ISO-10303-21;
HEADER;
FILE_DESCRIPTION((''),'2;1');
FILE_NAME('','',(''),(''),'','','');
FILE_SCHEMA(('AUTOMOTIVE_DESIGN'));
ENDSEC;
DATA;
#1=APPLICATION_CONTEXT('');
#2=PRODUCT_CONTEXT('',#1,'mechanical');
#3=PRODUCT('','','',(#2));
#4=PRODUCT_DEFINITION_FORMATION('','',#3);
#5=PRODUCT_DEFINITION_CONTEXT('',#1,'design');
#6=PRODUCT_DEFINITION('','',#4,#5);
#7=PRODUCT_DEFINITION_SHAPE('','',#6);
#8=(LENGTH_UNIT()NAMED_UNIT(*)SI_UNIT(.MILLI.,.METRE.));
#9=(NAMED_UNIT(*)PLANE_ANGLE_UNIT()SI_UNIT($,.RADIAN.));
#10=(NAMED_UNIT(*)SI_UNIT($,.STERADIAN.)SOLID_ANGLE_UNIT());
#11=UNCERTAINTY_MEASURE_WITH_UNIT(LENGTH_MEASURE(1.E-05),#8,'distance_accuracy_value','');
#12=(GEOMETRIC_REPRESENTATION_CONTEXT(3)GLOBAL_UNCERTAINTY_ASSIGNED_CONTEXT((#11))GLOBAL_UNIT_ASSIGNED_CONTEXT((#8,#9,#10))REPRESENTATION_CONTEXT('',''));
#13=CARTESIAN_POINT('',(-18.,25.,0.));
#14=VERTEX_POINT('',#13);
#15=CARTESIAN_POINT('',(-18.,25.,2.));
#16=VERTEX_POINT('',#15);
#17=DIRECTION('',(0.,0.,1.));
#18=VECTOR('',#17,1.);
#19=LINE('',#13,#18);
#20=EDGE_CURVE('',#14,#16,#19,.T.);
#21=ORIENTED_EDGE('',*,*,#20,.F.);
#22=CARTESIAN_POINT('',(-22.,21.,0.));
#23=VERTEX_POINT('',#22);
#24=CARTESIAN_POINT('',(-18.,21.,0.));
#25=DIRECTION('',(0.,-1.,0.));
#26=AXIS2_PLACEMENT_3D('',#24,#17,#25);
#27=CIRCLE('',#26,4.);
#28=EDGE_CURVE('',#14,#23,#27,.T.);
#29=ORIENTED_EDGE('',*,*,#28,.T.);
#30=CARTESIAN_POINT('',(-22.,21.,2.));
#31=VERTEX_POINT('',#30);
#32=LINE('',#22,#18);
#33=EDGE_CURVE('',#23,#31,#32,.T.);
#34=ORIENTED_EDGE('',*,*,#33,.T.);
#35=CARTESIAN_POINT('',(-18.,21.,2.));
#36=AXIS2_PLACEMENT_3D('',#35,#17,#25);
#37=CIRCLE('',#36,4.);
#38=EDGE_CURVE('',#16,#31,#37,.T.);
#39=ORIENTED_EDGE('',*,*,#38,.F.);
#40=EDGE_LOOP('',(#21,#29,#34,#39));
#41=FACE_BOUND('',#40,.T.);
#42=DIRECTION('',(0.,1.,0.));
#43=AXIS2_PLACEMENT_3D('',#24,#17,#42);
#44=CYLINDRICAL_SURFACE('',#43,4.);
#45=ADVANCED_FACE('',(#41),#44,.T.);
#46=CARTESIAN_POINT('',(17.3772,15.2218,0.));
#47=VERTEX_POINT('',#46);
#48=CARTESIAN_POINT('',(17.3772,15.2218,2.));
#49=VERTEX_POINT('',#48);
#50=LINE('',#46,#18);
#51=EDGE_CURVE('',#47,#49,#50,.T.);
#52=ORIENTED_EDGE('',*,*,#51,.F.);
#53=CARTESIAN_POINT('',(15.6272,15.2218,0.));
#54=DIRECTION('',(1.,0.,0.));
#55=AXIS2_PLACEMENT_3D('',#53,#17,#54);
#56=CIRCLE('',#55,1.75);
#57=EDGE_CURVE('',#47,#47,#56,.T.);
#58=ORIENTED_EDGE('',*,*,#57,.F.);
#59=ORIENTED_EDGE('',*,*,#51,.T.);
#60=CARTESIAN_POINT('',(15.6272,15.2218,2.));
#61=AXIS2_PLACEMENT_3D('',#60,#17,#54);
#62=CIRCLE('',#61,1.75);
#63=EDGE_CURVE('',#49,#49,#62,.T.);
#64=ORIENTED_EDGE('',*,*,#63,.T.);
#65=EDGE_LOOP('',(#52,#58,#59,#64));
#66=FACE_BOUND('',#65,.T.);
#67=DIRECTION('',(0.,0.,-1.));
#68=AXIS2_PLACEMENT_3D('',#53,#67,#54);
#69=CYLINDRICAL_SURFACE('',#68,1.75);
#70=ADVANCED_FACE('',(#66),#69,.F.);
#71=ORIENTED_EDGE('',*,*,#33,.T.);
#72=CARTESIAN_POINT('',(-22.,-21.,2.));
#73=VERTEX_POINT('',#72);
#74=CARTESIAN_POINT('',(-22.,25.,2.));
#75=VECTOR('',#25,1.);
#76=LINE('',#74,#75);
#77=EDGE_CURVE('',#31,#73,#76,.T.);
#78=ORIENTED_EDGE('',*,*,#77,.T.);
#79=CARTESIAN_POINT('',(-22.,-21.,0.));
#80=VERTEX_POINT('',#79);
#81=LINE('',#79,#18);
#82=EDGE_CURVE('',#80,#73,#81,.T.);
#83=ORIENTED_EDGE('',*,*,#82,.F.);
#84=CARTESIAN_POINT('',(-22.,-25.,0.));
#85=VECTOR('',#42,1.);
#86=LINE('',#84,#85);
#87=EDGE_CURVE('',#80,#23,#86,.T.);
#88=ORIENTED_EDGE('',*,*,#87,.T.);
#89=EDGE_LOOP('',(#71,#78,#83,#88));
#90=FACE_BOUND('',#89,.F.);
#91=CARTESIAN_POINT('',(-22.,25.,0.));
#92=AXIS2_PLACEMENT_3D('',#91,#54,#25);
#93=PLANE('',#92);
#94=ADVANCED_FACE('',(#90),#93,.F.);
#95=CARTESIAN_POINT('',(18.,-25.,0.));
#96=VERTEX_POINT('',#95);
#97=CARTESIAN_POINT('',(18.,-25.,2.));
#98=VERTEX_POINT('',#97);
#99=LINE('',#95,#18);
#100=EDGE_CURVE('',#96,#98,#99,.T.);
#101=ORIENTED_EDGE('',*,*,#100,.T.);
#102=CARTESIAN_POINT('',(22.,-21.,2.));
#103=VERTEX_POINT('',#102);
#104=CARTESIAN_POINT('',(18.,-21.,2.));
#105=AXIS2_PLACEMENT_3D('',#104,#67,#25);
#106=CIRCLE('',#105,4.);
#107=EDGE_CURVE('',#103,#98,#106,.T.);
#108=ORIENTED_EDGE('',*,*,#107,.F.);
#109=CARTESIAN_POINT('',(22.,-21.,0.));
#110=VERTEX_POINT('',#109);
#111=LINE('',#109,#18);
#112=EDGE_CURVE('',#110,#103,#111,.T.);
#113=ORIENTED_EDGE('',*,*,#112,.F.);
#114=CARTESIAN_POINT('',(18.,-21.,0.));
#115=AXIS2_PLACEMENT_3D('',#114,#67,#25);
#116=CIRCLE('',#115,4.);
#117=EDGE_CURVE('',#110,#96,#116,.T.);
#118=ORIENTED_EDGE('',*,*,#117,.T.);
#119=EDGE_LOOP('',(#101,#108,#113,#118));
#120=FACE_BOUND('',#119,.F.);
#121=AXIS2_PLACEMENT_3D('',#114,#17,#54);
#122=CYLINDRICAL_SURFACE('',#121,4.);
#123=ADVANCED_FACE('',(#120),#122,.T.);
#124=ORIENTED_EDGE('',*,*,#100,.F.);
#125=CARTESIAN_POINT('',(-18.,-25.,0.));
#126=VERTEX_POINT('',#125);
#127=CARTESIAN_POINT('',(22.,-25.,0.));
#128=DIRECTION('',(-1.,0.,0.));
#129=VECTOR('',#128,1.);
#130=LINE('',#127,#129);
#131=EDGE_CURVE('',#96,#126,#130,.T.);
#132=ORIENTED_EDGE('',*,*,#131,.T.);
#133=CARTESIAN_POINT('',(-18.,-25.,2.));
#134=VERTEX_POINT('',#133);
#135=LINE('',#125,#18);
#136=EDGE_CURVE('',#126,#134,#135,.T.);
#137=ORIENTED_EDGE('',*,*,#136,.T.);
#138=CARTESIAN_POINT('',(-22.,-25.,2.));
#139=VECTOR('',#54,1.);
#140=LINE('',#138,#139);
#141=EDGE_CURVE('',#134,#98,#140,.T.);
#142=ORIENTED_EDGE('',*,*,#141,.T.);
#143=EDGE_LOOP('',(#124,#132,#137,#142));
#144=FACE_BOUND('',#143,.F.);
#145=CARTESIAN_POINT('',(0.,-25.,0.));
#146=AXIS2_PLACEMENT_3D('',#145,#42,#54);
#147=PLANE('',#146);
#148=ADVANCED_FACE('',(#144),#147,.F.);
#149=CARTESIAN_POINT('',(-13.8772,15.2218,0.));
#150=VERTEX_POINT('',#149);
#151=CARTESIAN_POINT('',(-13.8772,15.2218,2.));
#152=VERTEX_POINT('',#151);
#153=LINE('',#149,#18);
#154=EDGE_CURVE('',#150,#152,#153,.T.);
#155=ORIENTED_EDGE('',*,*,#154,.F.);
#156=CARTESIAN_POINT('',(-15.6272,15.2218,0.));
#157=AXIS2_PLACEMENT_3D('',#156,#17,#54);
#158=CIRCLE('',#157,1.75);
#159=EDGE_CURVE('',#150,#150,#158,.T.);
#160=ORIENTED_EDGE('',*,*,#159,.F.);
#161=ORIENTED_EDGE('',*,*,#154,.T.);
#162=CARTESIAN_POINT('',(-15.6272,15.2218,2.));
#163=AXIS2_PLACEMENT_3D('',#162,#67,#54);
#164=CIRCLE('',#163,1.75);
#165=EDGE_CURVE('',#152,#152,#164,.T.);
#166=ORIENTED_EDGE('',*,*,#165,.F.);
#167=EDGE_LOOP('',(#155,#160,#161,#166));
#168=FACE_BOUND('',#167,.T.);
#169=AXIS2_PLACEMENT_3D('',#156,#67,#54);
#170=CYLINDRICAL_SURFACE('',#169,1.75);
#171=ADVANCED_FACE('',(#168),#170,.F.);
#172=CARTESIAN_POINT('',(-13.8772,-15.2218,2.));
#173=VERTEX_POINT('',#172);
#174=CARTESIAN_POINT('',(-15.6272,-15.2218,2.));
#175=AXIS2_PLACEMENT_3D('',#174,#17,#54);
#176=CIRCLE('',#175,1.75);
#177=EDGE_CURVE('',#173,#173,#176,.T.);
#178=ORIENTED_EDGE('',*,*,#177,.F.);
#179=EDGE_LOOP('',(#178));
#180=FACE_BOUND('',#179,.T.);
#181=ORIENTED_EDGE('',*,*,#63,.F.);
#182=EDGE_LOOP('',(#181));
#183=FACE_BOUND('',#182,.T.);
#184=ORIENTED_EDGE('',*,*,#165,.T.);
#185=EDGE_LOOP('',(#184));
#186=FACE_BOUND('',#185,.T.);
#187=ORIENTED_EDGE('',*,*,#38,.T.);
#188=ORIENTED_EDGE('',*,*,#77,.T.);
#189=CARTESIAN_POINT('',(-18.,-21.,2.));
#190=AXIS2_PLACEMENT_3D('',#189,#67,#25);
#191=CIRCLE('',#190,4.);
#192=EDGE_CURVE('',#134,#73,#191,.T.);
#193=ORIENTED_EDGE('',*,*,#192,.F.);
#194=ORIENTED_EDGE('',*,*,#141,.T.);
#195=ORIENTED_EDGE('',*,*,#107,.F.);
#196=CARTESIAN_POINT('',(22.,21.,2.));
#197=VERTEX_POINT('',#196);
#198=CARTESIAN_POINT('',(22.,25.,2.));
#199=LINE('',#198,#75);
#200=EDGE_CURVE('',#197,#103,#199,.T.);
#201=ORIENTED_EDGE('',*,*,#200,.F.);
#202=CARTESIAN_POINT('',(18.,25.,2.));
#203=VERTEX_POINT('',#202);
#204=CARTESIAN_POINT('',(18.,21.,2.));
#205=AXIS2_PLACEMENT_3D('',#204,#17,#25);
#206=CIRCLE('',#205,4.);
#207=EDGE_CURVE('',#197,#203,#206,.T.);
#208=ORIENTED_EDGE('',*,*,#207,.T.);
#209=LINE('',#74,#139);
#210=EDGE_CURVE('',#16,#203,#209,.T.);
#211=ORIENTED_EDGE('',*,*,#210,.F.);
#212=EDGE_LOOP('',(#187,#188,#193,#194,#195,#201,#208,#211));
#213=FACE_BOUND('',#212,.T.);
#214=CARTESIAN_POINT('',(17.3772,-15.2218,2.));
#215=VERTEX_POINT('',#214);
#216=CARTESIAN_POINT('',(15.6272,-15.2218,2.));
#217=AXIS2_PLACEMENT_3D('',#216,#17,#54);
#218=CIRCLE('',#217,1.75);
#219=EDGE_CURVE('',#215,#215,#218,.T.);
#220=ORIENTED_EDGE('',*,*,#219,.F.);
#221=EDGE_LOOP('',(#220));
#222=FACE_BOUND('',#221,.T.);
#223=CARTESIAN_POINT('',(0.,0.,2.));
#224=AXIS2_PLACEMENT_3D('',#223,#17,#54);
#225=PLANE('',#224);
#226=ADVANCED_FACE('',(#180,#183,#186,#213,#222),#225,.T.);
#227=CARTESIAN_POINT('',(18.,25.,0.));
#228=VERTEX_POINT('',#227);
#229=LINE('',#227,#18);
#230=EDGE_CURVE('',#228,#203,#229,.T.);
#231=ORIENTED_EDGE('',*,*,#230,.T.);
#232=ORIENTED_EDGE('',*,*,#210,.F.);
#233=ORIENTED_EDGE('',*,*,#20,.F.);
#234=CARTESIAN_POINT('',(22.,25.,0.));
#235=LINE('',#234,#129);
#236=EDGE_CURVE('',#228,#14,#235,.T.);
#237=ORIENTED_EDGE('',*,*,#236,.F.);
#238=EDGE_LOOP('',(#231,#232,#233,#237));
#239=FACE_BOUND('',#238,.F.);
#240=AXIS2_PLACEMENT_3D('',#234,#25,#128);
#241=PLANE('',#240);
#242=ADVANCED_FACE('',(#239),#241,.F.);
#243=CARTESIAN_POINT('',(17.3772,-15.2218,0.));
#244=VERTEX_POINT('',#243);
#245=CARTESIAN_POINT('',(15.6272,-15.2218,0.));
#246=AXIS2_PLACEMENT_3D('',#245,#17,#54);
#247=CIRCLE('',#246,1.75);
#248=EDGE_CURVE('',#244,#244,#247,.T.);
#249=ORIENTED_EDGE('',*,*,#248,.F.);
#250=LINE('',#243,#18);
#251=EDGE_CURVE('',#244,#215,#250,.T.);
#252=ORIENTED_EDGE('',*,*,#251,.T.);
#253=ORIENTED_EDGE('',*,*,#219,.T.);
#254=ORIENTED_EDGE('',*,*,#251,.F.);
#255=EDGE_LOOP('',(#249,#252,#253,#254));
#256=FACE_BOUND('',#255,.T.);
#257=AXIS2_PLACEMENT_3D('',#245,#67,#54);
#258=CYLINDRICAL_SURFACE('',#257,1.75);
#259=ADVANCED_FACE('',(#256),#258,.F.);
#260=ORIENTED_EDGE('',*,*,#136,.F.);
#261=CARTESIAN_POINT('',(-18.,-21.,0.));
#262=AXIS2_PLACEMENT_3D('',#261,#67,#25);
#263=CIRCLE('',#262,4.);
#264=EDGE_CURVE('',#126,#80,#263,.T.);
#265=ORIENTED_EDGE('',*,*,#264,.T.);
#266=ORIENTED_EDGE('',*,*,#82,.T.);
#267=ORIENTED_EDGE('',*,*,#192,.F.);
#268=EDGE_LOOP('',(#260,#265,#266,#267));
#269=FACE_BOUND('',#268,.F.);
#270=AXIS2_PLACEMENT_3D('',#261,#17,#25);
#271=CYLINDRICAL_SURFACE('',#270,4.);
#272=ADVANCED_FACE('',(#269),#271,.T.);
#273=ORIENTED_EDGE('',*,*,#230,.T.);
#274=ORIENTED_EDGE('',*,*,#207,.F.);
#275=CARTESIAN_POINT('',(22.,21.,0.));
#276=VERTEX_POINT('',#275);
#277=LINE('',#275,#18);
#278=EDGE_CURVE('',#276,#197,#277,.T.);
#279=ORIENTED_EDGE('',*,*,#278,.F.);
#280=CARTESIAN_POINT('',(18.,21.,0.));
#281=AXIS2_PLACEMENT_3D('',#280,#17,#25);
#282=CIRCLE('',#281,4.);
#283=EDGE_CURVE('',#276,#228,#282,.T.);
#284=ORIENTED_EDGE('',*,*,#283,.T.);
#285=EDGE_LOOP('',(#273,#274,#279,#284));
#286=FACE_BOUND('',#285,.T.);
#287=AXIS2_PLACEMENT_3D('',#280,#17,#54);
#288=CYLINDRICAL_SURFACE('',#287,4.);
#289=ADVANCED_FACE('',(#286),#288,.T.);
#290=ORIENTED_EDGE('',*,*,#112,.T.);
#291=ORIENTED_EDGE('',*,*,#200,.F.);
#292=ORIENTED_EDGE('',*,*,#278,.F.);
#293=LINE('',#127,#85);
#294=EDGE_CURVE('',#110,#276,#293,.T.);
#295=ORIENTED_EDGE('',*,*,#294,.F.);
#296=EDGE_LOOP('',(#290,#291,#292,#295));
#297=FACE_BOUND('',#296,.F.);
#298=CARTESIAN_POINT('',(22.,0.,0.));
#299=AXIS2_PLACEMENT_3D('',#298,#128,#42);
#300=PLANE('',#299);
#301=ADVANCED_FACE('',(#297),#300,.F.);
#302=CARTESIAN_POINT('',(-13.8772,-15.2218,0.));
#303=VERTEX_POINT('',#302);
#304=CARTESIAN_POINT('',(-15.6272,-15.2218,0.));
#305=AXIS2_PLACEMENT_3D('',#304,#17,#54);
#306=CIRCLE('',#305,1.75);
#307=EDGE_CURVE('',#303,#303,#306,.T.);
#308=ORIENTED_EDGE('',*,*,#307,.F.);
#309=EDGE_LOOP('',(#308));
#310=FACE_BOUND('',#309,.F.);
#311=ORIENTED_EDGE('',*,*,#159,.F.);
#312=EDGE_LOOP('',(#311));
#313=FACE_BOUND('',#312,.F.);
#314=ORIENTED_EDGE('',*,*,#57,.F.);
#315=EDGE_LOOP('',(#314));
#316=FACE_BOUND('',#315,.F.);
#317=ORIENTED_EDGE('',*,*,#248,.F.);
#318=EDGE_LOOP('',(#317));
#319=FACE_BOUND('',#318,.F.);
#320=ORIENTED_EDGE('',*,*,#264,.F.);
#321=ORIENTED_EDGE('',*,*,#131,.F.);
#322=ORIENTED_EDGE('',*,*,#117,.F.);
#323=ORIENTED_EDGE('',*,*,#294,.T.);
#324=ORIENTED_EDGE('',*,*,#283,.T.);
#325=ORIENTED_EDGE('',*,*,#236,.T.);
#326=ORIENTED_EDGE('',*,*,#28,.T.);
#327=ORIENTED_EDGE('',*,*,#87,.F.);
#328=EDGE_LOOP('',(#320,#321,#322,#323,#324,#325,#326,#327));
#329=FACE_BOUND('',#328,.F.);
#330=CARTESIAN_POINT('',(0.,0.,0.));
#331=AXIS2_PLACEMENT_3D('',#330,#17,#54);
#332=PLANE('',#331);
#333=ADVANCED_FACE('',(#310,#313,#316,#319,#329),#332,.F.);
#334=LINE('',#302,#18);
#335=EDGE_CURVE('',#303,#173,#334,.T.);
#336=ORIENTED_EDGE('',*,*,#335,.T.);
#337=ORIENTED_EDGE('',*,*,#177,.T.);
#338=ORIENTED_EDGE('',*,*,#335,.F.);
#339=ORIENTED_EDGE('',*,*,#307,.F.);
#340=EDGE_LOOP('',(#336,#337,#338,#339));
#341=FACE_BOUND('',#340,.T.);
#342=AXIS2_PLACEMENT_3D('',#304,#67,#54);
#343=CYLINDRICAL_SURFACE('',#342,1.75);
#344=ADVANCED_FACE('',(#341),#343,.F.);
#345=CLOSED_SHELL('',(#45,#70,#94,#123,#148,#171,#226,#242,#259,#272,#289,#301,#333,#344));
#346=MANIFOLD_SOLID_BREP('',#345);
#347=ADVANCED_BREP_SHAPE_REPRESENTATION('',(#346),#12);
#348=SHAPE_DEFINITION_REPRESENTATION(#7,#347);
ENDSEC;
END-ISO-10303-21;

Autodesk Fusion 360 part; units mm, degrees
sketch "Sketch1" plane through (0, 0, 0) normal (0, 0, 1) x (1, 0, 0)
  line L0 (22, 25) -> (-22, 25)
  line L1 (-22, 25) -> (-22, -25)
  line L2 (-22, -25) -> (22, -25)
  line L3 (22, -25) -> (22, 25)
  line L4 (22, 25) -> (-22, -25) construction
  line L5 (-22, 25) -> (22, -25) construction
  line L6 (18.6, 18.6) -> (-18.6, 18.6)
  line L7 (-18.6, 18.6) -> (-18.6, -18.6)
  line L8 (-18.6, -18.6) -> (18.6, -18.6)
  line L9 (18.6, -18.6) -> (18.6, 18.6)
  line L10 (18.6, 18.6) -> (-18.6, -18.6) construction
  line L11 (-18.6, 18.6) -> (18.6, -18.6) construction
  line L12 (-18.6, 18.6) -> (-15.6272, 15.2218)
  circle A0 centre (-15.6272, 15.2218) radius 1.75
  line L13 (0, -25) -> (0, 25)
  line L14 (22, 0) -> (-22, 0)
  circle A1 centre (-15.6272, -15.2218) radius 1.75
  circle A2 centre (15.6272, -15.2218) radius 1.75
  circle A3 centre (15.6272, 15.2218) radius 1.75
  line L15 (-15.6272, 15.2218) -> (-18.6, 15.2218)
  line L16 (-18.6, 15.2218) -> (-22, 15.2218)
  line L17 (-18.8272, 15.2218) -> (-17.2272, 12.4505)
  line L18 (-17.2272, 12.4505) -> (-14.0272, 12.4505)
  line L19 (-14.0272, 12.4505) -> (-12.4272, 15.2218)
  line L20 (-12.4272, 15.2218) -> (-14.0272, 17.9931)
  line L21 (-14.0272, 17.9931) -> (-17.2272, 17.9931)
  line L22 (-17.2272, 17.9931) -> (-18.8272, 15.2218)
  line L23 (14.0272, 12.4505) -> (12.4272, 15.2218)
  line L24 (12.4272, 15.2218) -> (14.0272, 17.9931)
  line L25 (14.0272, 17.9931) -> (17.2272, 17.9931)
  line L26 (17.2272, 17.9931) -> (18.8272, 15.2218)
  line L27 (18.8272, 15.2218) -> (17.2272, 12.4505)
  line L28 (17.2272, 12.4505) -> (14.0272, 12.4505)
  line L29 (-14.0272, -17.9931) -> (-17.2272, -17.9931)
  line L30 (-17.2272, -17.9931) -> (-18.8272, -15.2218)
  line L31 (-12.4272, -15.2218) -> (-14.0272, -17.9931)
  line L32 (-14.0272, -12.4505) -> (-12.4272, -15.2218)
  line L33 (-17.2272, -12.4505) -> (-14.0272, -12.4505)
  line L34 (-18.8272, -15.2218) -> (-17.2272, -12.4505)
  line L35 (18.8272, -15.2218) -> (17.2272, -12.4505)
  line L36 (17.2272, -17.9931) -> (18.8272, -15.2218)
  line L37 (14.0272, -17.9931) -> (17.2272, -17.9931)
  line L38 (12.4272, -15.2218) -> (14.0272, -17.9931)
  line L39 (14.0272, -12.4505) -> (12.4272, -15.2218)
  line L40 (17.2272, -12.4505) -> (14.0272, -12.4505)
  point P0 (-15.6272, 15.2218)
  dimension "d1" = 44
  dimension "d2" = 50
  dimension "d3" = 37.2
  dimension "d4" = 37.2
  dimension "d5" = 4.5
  dimension "d6" = 3.5
  dimension "d11" = 3.2
extrude "Extrude1" add sketch "Sketch1" along normal blind 2 contours L0 L3 L6 L9 L13 L14 L26 L27 | L0 L1 L6 L7 L13 L16 L22 | L2 L3 L8 L9 L13 L14 L35 L36 | L6 L7 L12 L13 L14 L17 L18 L19 L20 L21 L22 | L6 L9 L13 L14 L23 L24 L25 L26 L27 L28 | L8 L9 L13 L14 L35 L36 L37 L38 L39 L40 | L1 L7 L14 L16 L17 | L7 L12 L22 | L7 L8 L13 L14 L29 L30 L31 L32 L33 L34 | L1 L2 L7 L8 L13 L14 L30 L34 | L9 L35 L36 | L9 L35 L36 L37 L38 L39 L40 | L9 L23 L24 L25 L26 L27 L28 | L9 L26 L27 | L7 L16 L22 | L7 L16 L17 | L7 L12 A0 L15 L22 | L7 L12 A0 L15 L17 L18 L19 L20 L21 L22 | L7 L29 L30 L31 L32 L33 L34 | L7 L30 L34
fillet "Fillet1" radius 4 4 edges at (22, -25, 1) (-22, -25, 1) (-22, 25, 1) (22, 25, 1)
